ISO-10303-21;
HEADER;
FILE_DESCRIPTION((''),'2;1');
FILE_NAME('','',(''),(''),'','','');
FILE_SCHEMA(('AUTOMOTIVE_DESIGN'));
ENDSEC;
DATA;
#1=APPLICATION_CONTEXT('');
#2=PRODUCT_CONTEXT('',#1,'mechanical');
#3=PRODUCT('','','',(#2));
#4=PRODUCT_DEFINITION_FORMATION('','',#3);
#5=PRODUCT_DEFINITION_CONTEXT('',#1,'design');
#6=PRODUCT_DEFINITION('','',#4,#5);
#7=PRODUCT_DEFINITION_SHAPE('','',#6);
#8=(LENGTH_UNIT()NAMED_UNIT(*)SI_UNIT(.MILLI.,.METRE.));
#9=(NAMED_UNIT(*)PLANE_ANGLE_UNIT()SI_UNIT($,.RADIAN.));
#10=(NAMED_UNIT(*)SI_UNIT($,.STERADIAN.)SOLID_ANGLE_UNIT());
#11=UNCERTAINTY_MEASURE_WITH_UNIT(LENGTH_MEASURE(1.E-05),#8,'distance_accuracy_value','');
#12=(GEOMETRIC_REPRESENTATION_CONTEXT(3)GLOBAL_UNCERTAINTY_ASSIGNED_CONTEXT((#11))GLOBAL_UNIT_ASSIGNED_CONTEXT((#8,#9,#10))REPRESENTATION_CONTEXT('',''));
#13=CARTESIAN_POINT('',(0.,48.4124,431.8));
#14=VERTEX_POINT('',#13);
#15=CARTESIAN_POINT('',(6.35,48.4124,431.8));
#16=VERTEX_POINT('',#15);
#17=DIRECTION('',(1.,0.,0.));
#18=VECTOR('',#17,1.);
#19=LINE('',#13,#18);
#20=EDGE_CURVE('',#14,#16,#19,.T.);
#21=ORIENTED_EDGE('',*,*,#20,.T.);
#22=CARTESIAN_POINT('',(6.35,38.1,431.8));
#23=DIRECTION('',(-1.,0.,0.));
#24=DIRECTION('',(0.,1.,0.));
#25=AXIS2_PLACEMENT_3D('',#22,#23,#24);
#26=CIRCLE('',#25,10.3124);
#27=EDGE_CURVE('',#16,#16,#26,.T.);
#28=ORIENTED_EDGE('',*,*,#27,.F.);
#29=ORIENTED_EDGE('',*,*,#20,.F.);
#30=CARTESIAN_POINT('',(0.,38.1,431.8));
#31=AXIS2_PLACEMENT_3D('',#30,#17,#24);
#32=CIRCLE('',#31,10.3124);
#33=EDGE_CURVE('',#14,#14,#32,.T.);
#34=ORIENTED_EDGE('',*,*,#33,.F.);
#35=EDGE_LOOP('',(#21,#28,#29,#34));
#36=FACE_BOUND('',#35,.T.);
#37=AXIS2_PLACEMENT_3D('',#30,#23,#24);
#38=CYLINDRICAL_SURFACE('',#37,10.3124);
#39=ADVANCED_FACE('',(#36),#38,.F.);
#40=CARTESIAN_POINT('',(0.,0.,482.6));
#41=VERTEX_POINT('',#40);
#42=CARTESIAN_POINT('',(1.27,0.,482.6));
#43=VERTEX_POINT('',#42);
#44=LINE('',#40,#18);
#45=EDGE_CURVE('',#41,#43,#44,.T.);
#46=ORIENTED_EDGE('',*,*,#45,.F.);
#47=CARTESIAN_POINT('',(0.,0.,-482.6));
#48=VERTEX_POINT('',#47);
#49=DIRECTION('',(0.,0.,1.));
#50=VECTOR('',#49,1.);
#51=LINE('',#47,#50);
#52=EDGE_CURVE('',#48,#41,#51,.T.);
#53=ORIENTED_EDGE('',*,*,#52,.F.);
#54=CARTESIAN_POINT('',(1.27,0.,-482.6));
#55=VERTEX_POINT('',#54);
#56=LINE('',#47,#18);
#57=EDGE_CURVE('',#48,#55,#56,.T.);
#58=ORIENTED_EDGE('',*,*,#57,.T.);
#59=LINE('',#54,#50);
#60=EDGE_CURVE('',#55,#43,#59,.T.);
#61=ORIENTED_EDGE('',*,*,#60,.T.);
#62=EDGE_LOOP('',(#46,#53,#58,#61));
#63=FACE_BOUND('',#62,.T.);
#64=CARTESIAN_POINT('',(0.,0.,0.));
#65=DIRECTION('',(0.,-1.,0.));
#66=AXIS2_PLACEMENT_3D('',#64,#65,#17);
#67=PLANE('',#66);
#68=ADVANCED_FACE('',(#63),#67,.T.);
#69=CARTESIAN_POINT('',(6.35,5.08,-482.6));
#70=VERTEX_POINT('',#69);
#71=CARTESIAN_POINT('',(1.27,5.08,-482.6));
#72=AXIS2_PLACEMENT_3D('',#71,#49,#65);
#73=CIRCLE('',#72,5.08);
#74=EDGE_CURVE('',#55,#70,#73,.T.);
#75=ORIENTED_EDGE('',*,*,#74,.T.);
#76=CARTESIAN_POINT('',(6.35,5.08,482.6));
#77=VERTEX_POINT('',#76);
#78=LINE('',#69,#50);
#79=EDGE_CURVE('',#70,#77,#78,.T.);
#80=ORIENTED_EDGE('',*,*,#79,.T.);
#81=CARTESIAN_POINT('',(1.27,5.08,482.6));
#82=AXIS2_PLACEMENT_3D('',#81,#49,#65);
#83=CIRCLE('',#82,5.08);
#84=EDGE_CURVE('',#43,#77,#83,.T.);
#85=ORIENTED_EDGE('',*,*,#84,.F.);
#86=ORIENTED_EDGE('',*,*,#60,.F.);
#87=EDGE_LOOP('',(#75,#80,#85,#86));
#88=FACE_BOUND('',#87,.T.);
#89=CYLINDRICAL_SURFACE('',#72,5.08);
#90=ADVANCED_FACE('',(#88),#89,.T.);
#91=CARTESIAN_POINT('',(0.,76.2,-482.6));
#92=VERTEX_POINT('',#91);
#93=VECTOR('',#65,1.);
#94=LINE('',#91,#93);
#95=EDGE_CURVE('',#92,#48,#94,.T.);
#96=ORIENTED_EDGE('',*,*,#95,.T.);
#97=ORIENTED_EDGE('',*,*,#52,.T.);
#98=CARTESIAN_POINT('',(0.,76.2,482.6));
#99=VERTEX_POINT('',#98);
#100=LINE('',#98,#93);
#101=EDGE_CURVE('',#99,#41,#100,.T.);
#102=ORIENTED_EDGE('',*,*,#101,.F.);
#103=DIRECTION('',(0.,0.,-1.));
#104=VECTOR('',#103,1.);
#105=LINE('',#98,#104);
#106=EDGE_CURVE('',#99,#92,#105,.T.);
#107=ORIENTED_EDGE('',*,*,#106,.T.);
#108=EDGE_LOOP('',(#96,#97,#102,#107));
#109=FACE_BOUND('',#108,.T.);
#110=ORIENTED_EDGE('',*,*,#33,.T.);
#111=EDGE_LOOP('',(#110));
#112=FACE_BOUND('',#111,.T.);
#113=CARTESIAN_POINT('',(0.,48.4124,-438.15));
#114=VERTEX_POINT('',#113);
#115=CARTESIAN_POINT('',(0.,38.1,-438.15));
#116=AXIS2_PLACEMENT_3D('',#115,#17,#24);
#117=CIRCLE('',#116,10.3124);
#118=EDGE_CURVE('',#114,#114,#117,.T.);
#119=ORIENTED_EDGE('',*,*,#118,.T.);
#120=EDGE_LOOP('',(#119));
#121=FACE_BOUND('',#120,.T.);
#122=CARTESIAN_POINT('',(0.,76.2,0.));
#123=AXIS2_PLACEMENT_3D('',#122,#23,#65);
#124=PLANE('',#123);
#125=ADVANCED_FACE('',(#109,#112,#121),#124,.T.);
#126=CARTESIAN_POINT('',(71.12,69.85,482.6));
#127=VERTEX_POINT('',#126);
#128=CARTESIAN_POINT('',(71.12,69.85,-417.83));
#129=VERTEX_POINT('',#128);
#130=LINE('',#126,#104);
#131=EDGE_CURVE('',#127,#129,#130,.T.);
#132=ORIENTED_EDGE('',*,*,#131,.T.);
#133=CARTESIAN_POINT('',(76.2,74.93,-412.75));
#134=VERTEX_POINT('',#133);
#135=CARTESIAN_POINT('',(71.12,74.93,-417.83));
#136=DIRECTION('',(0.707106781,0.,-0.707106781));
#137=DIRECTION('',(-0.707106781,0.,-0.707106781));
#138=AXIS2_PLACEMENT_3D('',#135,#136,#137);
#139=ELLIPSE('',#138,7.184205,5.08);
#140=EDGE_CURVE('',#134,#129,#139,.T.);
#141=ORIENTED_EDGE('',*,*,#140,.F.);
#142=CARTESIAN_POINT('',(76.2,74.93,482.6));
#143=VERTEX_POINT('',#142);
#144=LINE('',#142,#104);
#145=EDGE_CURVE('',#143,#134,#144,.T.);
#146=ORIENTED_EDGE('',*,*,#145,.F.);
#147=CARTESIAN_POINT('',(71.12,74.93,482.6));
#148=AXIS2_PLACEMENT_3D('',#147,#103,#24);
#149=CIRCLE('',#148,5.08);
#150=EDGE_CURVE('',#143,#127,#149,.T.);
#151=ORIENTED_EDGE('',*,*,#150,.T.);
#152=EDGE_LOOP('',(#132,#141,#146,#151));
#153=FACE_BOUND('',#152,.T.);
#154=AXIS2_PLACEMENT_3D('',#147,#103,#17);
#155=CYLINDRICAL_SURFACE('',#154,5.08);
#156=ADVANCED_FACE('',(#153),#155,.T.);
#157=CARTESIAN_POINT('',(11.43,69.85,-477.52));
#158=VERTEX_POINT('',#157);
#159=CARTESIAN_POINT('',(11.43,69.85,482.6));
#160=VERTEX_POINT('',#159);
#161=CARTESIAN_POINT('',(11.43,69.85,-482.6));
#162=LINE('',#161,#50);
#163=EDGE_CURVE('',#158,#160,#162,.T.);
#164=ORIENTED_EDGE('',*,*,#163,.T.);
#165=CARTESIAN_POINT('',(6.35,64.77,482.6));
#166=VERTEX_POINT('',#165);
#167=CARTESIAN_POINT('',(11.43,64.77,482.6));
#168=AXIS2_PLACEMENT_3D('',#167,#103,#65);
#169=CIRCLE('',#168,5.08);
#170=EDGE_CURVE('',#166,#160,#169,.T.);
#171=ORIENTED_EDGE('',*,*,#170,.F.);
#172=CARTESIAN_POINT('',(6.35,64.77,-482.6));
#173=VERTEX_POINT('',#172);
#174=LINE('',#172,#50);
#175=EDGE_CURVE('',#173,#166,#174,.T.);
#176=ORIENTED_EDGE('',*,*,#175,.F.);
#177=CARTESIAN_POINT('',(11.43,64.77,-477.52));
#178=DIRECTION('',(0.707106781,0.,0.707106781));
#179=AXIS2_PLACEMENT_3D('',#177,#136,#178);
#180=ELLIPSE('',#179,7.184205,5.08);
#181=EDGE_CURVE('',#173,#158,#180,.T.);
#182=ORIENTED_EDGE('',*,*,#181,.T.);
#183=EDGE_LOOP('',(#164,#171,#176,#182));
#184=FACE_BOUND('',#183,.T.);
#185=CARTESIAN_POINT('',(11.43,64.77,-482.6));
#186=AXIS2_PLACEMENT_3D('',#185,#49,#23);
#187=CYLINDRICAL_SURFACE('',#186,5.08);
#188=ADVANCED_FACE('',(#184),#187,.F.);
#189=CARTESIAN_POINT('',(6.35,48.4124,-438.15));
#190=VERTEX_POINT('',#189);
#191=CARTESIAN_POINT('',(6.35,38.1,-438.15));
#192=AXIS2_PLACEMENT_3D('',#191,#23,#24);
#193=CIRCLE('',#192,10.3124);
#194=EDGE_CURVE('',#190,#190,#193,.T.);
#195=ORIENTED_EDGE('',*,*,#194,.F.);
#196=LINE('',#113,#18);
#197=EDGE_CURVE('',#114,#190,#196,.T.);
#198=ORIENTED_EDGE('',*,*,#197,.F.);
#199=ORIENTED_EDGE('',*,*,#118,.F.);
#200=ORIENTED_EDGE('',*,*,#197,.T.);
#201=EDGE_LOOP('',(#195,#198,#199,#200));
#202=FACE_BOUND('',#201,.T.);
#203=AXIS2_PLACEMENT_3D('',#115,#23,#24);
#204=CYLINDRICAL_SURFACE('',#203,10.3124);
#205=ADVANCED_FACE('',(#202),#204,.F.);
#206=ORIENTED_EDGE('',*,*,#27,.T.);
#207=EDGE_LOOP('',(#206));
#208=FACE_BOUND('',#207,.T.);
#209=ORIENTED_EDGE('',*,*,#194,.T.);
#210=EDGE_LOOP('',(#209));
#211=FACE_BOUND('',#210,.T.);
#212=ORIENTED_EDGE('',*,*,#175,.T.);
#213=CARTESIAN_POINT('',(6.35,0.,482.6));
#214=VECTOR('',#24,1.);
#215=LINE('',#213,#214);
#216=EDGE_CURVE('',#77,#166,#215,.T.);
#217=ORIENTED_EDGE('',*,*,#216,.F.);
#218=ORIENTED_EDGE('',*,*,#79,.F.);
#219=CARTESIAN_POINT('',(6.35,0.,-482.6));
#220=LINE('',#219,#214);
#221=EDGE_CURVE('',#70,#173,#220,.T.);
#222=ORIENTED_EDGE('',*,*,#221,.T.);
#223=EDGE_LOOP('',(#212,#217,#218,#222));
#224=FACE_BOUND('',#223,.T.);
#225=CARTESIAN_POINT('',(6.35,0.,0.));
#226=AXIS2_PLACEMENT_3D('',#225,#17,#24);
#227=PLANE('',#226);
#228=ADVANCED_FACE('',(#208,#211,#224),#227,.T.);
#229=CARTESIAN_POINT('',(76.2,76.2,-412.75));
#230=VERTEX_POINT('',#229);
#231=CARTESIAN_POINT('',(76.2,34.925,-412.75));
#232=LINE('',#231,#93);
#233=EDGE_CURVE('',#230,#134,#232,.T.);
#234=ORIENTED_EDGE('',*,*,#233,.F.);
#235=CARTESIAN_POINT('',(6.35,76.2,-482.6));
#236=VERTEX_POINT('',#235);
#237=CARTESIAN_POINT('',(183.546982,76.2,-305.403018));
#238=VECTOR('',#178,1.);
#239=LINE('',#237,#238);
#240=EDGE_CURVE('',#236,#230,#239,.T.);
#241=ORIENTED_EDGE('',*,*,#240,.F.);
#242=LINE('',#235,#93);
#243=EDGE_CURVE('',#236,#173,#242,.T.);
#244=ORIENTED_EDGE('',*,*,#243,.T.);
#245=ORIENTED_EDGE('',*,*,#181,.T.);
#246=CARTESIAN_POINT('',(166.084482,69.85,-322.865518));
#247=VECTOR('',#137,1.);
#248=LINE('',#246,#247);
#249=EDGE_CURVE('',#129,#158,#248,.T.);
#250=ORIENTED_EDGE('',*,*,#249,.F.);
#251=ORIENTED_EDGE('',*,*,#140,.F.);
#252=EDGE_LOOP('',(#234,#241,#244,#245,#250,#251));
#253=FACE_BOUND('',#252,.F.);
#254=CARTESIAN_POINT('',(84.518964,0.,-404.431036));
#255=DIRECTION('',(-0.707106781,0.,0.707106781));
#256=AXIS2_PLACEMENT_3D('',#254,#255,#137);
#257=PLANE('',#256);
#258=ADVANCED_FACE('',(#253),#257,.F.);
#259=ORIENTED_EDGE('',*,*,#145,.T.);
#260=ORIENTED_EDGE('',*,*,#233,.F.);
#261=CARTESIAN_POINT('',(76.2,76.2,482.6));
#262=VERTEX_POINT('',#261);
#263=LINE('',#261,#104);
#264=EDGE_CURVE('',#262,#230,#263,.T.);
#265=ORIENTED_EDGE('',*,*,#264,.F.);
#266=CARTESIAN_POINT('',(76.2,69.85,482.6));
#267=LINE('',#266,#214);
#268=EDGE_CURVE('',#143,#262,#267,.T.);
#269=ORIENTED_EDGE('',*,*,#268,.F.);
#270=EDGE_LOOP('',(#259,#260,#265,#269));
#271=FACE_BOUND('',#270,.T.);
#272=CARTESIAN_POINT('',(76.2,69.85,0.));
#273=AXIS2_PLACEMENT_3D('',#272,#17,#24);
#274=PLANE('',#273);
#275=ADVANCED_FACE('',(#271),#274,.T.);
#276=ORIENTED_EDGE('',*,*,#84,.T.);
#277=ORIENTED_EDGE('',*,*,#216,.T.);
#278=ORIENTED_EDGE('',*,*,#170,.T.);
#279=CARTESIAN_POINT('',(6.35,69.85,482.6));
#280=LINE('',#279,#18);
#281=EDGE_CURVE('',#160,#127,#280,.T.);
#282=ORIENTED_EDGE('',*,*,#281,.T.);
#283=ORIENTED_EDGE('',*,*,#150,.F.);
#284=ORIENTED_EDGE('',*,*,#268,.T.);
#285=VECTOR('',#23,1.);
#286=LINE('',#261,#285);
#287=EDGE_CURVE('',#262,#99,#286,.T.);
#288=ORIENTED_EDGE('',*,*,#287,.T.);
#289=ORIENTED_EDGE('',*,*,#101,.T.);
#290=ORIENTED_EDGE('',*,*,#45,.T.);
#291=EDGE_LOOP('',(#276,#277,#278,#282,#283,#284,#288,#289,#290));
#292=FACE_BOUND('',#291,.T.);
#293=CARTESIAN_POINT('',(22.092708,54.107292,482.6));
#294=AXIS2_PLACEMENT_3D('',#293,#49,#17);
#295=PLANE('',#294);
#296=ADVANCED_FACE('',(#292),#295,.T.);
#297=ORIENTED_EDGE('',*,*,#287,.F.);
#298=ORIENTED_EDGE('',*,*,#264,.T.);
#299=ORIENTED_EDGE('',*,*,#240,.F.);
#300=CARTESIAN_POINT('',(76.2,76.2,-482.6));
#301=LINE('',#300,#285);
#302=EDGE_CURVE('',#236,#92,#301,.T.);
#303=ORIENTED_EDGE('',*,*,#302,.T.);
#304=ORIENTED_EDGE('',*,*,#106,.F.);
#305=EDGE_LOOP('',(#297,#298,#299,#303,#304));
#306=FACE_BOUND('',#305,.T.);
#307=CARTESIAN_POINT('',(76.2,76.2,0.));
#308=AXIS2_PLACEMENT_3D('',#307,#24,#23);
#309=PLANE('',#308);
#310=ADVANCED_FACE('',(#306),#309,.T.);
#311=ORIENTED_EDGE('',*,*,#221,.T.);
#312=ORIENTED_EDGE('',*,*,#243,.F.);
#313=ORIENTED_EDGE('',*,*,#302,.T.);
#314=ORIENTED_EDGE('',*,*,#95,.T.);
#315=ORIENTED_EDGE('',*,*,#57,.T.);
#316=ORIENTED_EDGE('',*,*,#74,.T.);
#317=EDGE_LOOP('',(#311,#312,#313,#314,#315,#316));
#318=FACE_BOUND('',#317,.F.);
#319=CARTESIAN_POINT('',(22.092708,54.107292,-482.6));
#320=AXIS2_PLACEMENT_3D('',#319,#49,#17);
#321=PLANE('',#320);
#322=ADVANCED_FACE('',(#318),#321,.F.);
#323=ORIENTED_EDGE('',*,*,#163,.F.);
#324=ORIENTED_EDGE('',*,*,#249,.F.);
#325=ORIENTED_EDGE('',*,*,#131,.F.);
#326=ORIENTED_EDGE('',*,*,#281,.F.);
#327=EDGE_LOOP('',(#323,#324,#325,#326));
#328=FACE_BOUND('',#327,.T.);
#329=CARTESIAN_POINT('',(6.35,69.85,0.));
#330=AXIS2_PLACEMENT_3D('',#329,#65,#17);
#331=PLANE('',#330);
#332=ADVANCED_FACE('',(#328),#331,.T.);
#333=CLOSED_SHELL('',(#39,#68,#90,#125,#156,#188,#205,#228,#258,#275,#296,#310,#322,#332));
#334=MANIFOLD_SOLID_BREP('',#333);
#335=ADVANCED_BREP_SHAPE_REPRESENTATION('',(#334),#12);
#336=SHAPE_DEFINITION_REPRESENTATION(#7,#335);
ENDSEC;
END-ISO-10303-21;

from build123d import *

# Parameters (mm, degrees)
F1_DEPTH = 482.6
F3_DEPTH = 76.201
F4_R     = 10.3124
F5_DEPTH = 76.201
F6_R     = 5.08


with BuildPart() as f1:
    # F0 (on Top) → F1 (new body, symmetric)
    with BuildSketch(Plane.XY):
        Polygon((0, 76.2), (0, 0), (6.35, 0), (6.35, 69.85), (76.2, 69.85), (76.2, 76.2), align=None)
    extrude(amount=F1_DEPTH, both=True)

    # F2 (on Front) → F3 (cut, through all)
    with BuildSketch(Plane.XZ):
        Polygon((84.518964, -404.431036), (6.35, -482.6), (84.518964, -482.6), align=None)
    extrude(amount=-F3_DEPTH, mode=Mode.SUBTRACT)

    # F4 (on Right) → F5 (cut, through all)
    with BuildSketch(Plane.YZ):
        with Locations((38.1, -438.15)):
            Circle(F4_R)
        with Locations((38.1, 431.8)):
            Circle(F4_R)
    extrude(amount=F5_DEPTH, mode=Mode.SUBTRACT)

    # F6
    f6_edges = [f1.edges().sort_by_distance(p)[0] for p in [
        (6.35, 69.85, 0),
        (76.2, 69.85, 34.925),
        (6.35, 0, 0),
    ]]
    fillet(f6_edges, radius=F6_R)


solid = f1.part
